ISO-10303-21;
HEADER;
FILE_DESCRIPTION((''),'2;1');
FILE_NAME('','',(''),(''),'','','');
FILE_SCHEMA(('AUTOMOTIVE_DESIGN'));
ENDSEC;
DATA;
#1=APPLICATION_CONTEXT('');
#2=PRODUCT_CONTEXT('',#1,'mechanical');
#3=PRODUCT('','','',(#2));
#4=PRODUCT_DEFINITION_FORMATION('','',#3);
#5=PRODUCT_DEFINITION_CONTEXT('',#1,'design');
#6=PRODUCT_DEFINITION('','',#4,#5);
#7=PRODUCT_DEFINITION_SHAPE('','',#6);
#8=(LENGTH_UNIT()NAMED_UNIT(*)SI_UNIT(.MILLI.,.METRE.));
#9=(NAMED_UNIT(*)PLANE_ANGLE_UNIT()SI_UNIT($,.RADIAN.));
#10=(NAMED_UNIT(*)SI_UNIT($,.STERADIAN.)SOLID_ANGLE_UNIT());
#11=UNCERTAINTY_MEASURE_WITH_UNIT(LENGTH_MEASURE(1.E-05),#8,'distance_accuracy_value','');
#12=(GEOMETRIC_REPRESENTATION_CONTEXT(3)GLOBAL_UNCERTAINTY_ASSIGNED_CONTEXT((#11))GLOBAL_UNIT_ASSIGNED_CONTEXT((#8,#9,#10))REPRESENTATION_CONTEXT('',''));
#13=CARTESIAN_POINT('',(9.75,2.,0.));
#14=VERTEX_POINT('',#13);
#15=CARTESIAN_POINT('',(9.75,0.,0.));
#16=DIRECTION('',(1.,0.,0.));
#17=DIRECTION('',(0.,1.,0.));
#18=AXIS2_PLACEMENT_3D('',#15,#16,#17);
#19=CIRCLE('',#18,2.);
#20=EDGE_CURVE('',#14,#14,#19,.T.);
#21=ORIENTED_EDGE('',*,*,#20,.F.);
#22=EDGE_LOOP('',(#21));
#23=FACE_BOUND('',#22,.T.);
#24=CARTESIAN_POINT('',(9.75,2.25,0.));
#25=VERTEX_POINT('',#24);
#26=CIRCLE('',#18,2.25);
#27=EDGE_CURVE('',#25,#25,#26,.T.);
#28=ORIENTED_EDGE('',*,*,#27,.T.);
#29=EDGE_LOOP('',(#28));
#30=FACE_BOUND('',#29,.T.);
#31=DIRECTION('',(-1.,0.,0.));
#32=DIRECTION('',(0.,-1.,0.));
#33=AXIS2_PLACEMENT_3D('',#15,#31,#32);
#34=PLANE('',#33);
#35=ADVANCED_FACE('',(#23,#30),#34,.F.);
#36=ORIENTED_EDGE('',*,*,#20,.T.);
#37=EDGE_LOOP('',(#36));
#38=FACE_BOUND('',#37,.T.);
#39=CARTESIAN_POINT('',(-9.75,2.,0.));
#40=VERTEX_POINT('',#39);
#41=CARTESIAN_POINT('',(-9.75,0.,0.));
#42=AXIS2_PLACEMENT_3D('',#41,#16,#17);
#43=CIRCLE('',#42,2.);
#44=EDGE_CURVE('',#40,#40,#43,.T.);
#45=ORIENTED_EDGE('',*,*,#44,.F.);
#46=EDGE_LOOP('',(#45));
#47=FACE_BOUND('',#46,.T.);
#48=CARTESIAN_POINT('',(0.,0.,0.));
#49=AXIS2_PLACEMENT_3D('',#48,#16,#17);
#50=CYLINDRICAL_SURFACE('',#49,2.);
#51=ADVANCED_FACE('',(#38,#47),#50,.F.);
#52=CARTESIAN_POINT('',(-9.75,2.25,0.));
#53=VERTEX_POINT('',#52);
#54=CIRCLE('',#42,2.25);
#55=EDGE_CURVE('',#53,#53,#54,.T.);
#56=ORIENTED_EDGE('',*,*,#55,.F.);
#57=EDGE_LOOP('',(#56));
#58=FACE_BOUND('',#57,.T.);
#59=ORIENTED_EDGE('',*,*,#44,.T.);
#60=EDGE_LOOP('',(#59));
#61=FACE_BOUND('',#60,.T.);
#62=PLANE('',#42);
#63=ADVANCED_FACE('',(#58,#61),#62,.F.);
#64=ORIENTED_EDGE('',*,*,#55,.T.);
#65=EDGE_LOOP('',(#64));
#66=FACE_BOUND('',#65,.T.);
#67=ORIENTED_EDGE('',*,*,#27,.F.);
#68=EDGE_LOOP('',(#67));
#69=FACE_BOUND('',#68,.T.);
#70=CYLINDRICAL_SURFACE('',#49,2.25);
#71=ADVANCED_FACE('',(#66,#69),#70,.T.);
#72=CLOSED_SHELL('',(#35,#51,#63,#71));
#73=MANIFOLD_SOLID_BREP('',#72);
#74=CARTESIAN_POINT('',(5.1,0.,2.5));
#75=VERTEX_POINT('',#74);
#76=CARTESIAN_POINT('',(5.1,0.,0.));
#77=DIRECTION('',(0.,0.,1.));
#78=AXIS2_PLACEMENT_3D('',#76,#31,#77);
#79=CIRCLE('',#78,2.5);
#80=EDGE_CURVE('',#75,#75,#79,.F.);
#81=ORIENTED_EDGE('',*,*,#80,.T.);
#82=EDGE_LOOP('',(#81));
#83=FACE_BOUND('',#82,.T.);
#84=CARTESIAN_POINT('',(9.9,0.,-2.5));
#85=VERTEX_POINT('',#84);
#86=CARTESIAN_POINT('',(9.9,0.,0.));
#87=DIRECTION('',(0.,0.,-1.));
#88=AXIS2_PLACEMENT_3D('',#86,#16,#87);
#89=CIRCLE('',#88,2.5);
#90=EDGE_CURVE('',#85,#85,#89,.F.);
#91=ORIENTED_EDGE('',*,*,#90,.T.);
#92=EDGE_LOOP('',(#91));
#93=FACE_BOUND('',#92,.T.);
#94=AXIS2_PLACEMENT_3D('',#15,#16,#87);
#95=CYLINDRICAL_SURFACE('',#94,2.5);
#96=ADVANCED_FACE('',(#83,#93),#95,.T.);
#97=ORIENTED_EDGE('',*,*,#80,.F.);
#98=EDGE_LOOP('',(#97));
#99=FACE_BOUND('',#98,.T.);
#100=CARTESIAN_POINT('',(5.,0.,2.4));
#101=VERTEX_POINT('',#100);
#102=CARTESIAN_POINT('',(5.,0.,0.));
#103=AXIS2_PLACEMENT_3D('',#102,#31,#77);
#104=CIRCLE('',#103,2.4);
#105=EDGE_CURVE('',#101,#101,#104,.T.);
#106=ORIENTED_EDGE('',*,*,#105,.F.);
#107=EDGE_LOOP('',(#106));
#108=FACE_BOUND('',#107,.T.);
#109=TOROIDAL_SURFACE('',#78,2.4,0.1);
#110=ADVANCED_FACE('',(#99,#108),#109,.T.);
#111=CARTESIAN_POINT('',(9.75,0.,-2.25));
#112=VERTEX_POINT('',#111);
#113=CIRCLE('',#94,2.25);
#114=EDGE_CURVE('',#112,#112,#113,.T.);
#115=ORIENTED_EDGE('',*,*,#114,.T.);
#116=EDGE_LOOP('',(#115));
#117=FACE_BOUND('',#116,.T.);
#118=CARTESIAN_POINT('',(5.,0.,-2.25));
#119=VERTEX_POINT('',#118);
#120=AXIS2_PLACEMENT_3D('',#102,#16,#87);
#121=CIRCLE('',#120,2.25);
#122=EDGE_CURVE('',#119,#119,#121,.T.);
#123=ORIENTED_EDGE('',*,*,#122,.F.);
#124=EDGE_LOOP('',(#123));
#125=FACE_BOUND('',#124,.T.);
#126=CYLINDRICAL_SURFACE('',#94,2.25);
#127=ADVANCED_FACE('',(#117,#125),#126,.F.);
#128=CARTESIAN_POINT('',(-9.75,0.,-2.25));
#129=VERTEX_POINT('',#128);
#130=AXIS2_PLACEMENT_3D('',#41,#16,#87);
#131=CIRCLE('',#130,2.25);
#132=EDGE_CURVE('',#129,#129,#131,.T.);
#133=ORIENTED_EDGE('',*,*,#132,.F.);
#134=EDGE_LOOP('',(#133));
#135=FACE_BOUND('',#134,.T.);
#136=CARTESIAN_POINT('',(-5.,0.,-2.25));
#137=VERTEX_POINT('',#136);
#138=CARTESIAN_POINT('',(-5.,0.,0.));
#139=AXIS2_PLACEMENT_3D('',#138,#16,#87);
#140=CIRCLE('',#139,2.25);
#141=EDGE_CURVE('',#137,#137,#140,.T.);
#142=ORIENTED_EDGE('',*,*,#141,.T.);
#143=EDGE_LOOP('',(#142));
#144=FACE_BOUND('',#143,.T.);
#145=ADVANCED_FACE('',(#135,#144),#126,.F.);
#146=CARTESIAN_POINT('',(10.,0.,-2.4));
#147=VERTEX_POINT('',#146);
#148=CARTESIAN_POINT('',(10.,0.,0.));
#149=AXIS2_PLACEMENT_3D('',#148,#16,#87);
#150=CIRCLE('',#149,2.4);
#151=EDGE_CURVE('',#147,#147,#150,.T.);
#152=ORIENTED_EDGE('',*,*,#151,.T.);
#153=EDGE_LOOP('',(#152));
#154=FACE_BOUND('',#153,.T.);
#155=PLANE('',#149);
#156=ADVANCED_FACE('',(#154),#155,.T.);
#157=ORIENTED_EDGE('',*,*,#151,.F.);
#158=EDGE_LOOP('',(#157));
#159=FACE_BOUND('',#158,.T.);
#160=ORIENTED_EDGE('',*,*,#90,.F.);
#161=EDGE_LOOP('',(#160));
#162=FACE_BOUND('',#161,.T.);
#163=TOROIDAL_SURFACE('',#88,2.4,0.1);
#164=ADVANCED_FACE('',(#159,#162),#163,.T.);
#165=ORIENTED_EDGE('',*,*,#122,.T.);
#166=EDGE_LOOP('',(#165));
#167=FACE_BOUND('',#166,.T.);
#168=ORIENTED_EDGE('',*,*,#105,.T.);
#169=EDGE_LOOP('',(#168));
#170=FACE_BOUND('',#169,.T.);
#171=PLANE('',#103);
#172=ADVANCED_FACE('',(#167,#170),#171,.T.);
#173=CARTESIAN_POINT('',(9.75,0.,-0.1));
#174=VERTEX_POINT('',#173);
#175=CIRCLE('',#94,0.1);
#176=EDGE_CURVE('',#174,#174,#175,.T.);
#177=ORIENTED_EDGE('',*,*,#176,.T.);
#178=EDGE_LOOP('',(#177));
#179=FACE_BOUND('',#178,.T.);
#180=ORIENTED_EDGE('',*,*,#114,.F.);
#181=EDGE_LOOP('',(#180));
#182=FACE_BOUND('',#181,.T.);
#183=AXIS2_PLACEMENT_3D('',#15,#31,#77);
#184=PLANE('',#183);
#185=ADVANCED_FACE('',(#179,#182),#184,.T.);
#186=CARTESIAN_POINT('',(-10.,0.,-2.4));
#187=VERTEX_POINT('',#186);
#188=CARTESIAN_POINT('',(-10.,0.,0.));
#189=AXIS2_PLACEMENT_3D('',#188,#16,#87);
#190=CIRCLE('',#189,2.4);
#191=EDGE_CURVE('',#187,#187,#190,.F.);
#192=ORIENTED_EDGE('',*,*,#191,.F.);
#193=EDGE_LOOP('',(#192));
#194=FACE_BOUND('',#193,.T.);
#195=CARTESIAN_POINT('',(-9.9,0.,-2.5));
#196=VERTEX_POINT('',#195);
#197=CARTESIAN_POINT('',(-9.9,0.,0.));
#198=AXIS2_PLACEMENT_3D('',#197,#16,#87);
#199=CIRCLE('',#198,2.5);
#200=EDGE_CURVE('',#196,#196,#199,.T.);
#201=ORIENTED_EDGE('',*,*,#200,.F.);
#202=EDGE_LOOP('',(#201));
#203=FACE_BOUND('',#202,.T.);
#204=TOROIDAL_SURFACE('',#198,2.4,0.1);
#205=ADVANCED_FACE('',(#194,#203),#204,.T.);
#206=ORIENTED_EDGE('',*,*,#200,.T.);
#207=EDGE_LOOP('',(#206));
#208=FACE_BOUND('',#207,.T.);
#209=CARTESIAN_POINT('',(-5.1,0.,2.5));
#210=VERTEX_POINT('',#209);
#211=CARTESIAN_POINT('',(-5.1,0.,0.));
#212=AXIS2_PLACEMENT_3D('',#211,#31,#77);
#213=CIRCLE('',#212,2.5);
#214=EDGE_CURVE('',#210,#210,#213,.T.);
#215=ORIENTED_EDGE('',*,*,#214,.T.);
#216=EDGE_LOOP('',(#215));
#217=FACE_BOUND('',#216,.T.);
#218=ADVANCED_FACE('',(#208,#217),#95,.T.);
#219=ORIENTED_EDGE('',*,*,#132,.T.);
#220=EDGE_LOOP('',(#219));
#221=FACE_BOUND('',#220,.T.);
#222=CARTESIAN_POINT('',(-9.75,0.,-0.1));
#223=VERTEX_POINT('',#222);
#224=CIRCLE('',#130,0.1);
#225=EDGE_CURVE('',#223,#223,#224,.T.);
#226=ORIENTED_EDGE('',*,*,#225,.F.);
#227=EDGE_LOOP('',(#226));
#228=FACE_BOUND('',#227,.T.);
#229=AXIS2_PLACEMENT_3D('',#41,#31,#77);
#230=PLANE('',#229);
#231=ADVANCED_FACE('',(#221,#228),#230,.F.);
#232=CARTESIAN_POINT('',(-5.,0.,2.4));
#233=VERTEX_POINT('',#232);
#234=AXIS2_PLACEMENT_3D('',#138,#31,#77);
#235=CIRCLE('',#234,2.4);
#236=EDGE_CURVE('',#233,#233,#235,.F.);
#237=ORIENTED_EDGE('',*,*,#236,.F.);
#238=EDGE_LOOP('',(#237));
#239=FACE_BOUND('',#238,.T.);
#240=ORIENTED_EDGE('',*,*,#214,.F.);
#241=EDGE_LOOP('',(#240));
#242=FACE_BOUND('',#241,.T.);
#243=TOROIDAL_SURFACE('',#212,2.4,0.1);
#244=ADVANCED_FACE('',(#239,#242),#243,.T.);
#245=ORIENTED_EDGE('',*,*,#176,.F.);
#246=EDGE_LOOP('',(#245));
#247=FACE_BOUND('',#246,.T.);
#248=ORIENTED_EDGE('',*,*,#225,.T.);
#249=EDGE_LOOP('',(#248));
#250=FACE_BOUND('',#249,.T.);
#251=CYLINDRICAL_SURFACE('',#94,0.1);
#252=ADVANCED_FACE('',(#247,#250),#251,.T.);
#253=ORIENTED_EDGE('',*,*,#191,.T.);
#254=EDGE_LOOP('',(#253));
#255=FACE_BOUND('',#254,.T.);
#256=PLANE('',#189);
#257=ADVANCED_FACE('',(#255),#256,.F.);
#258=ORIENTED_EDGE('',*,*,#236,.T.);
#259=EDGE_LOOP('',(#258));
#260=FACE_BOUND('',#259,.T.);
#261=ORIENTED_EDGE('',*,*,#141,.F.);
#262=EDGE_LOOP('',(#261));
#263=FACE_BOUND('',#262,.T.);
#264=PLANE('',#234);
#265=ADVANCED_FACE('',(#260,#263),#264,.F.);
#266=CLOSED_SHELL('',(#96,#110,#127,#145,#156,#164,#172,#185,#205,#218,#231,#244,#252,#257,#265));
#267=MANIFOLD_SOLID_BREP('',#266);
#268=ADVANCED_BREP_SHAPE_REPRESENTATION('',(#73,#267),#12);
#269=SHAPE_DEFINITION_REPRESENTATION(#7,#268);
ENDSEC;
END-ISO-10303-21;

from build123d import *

# Parameters (mm, degrees)
SCHIZZO4_W  = 19.5
SCHIZZO4_H  = 0.25
RACCORDO1_R = 0.1


with BuildPart() as part:
    # Schizzo4 → Rivoluzione3 (revolve)
    with BuildSketch(Plane.XY):
        with Locations((0, 2.125)):
            Rectangle(SCHIZZO4_W, SCHIZZO4_H)
    revolve(axis=Axis((0, 0, 0), (-1, 0, 0)))


with BuildPart() as body_2:
    # Schizzo6 → Rivoluzione4 (revolve)
    with BuildSketch(Plane.XY, mode=Mode.PRIVATE) as rivoluzione4_sk:
        Polygon((-9.75, 0), (0, 0), (0, 0.1), (-9.75, 0.1), (-9.75, 2.25), (-5, 2.25), (-5, 2.5), (-10, 2.5), (-10, 0), align=None)
        Polygon((0, 0), (9.75, 0), (10, 0), (10, 2.5), (5, 2.5), (5, 2.25), (9.75, 2.25), (9.75, 0.1), (0, 0.1), align=None)
    revolve(rivoluzione4_sk.sketch.rotate(Axis((9.75, 0, 0), (-1, 0, 0)), 90), axis=Axis((9.75, 0, 0), (-1, 0, 0)))

    # Raccordo1
    raccordo1_edges = [body_2.edges().sort_by_distance(p)[0] for p in [
        (-10, 0, 2.5),
        (-5, 0, 2.5),
        (5, 0, 2.5),
        (10, 0, 2.5),
    ]]
    fillet(raccordo1_edges, radius=RACCORDO1_R)


solid = Compound([part.part, body_2.part])
